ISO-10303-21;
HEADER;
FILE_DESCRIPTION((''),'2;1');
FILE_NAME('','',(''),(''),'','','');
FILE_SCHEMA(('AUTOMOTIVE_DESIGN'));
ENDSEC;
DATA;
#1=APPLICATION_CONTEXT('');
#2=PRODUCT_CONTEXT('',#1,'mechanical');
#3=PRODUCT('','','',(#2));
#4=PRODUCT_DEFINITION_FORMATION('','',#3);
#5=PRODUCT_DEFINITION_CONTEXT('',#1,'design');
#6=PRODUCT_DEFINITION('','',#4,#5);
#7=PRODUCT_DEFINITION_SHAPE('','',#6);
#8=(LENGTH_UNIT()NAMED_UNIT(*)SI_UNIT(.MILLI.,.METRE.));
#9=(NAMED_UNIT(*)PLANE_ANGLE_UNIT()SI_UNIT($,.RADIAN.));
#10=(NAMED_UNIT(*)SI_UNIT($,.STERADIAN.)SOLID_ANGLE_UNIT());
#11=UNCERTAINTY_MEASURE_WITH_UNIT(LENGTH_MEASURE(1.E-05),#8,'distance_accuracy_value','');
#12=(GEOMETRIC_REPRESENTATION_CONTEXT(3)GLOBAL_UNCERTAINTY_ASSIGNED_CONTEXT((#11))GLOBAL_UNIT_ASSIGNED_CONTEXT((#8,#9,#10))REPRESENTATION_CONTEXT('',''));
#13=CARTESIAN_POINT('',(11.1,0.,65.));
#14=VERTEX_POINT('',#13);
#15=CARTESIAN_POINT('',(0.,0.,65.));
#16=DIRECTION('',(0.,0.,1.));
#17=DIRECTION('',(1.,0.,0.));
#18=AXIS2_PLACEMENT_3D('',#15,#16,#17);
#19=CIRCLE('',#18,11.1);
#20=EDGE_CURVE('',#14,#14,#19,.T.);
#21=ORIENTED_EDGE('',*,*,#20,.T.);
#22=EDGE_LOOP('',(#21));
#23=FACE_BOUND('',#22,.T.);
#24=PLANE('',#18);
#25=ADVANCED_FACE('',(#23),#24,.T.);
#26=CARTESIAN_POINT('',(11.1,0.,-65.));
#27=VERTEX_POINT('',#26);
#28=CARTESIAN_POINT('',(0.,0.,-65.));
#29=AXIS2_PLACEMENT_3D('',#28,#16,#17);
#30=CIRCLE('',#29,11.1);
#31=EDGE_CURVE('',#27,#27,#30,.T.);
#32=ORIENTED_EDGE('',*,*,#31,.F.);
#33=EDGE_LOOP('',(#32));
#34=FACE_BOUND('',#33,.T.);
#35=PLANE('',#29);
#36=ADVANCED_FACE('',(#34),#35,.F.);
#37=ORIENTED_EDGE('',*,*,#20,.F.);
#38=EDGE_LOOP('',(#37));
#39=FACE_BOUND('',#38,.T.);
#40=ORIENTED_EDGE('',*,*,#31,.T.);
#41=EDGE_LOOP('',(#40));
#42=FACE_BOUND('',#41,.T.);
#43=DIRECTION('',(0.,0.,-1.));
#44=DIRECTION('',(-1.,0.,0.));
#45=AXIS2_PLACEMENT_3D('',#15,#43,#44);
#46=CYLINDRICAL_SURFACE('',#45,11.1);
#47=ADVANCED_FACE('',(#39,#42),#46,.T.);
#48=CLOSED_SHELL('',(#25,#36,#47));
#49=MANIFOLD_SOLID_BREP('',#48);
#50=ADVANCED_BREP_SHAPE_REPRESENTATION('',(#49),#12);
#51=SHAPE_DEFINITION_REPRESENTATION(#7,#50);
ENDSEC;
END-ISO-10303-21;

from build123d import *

# Parameters (mm, degrees)
SKETCH_1_R      = 11.1
EXTRUDE_1_DEPTH = 65


with BuildPart() as part:
    # 草圖1 → 伸長1 (new, symmetric)
    with BuildSketch(Plane.XY):
        Circle(SKETCH_1_R)
    extrude(amount=EXTRUDE_1_DEPTH, both=True)


solid = part.part
